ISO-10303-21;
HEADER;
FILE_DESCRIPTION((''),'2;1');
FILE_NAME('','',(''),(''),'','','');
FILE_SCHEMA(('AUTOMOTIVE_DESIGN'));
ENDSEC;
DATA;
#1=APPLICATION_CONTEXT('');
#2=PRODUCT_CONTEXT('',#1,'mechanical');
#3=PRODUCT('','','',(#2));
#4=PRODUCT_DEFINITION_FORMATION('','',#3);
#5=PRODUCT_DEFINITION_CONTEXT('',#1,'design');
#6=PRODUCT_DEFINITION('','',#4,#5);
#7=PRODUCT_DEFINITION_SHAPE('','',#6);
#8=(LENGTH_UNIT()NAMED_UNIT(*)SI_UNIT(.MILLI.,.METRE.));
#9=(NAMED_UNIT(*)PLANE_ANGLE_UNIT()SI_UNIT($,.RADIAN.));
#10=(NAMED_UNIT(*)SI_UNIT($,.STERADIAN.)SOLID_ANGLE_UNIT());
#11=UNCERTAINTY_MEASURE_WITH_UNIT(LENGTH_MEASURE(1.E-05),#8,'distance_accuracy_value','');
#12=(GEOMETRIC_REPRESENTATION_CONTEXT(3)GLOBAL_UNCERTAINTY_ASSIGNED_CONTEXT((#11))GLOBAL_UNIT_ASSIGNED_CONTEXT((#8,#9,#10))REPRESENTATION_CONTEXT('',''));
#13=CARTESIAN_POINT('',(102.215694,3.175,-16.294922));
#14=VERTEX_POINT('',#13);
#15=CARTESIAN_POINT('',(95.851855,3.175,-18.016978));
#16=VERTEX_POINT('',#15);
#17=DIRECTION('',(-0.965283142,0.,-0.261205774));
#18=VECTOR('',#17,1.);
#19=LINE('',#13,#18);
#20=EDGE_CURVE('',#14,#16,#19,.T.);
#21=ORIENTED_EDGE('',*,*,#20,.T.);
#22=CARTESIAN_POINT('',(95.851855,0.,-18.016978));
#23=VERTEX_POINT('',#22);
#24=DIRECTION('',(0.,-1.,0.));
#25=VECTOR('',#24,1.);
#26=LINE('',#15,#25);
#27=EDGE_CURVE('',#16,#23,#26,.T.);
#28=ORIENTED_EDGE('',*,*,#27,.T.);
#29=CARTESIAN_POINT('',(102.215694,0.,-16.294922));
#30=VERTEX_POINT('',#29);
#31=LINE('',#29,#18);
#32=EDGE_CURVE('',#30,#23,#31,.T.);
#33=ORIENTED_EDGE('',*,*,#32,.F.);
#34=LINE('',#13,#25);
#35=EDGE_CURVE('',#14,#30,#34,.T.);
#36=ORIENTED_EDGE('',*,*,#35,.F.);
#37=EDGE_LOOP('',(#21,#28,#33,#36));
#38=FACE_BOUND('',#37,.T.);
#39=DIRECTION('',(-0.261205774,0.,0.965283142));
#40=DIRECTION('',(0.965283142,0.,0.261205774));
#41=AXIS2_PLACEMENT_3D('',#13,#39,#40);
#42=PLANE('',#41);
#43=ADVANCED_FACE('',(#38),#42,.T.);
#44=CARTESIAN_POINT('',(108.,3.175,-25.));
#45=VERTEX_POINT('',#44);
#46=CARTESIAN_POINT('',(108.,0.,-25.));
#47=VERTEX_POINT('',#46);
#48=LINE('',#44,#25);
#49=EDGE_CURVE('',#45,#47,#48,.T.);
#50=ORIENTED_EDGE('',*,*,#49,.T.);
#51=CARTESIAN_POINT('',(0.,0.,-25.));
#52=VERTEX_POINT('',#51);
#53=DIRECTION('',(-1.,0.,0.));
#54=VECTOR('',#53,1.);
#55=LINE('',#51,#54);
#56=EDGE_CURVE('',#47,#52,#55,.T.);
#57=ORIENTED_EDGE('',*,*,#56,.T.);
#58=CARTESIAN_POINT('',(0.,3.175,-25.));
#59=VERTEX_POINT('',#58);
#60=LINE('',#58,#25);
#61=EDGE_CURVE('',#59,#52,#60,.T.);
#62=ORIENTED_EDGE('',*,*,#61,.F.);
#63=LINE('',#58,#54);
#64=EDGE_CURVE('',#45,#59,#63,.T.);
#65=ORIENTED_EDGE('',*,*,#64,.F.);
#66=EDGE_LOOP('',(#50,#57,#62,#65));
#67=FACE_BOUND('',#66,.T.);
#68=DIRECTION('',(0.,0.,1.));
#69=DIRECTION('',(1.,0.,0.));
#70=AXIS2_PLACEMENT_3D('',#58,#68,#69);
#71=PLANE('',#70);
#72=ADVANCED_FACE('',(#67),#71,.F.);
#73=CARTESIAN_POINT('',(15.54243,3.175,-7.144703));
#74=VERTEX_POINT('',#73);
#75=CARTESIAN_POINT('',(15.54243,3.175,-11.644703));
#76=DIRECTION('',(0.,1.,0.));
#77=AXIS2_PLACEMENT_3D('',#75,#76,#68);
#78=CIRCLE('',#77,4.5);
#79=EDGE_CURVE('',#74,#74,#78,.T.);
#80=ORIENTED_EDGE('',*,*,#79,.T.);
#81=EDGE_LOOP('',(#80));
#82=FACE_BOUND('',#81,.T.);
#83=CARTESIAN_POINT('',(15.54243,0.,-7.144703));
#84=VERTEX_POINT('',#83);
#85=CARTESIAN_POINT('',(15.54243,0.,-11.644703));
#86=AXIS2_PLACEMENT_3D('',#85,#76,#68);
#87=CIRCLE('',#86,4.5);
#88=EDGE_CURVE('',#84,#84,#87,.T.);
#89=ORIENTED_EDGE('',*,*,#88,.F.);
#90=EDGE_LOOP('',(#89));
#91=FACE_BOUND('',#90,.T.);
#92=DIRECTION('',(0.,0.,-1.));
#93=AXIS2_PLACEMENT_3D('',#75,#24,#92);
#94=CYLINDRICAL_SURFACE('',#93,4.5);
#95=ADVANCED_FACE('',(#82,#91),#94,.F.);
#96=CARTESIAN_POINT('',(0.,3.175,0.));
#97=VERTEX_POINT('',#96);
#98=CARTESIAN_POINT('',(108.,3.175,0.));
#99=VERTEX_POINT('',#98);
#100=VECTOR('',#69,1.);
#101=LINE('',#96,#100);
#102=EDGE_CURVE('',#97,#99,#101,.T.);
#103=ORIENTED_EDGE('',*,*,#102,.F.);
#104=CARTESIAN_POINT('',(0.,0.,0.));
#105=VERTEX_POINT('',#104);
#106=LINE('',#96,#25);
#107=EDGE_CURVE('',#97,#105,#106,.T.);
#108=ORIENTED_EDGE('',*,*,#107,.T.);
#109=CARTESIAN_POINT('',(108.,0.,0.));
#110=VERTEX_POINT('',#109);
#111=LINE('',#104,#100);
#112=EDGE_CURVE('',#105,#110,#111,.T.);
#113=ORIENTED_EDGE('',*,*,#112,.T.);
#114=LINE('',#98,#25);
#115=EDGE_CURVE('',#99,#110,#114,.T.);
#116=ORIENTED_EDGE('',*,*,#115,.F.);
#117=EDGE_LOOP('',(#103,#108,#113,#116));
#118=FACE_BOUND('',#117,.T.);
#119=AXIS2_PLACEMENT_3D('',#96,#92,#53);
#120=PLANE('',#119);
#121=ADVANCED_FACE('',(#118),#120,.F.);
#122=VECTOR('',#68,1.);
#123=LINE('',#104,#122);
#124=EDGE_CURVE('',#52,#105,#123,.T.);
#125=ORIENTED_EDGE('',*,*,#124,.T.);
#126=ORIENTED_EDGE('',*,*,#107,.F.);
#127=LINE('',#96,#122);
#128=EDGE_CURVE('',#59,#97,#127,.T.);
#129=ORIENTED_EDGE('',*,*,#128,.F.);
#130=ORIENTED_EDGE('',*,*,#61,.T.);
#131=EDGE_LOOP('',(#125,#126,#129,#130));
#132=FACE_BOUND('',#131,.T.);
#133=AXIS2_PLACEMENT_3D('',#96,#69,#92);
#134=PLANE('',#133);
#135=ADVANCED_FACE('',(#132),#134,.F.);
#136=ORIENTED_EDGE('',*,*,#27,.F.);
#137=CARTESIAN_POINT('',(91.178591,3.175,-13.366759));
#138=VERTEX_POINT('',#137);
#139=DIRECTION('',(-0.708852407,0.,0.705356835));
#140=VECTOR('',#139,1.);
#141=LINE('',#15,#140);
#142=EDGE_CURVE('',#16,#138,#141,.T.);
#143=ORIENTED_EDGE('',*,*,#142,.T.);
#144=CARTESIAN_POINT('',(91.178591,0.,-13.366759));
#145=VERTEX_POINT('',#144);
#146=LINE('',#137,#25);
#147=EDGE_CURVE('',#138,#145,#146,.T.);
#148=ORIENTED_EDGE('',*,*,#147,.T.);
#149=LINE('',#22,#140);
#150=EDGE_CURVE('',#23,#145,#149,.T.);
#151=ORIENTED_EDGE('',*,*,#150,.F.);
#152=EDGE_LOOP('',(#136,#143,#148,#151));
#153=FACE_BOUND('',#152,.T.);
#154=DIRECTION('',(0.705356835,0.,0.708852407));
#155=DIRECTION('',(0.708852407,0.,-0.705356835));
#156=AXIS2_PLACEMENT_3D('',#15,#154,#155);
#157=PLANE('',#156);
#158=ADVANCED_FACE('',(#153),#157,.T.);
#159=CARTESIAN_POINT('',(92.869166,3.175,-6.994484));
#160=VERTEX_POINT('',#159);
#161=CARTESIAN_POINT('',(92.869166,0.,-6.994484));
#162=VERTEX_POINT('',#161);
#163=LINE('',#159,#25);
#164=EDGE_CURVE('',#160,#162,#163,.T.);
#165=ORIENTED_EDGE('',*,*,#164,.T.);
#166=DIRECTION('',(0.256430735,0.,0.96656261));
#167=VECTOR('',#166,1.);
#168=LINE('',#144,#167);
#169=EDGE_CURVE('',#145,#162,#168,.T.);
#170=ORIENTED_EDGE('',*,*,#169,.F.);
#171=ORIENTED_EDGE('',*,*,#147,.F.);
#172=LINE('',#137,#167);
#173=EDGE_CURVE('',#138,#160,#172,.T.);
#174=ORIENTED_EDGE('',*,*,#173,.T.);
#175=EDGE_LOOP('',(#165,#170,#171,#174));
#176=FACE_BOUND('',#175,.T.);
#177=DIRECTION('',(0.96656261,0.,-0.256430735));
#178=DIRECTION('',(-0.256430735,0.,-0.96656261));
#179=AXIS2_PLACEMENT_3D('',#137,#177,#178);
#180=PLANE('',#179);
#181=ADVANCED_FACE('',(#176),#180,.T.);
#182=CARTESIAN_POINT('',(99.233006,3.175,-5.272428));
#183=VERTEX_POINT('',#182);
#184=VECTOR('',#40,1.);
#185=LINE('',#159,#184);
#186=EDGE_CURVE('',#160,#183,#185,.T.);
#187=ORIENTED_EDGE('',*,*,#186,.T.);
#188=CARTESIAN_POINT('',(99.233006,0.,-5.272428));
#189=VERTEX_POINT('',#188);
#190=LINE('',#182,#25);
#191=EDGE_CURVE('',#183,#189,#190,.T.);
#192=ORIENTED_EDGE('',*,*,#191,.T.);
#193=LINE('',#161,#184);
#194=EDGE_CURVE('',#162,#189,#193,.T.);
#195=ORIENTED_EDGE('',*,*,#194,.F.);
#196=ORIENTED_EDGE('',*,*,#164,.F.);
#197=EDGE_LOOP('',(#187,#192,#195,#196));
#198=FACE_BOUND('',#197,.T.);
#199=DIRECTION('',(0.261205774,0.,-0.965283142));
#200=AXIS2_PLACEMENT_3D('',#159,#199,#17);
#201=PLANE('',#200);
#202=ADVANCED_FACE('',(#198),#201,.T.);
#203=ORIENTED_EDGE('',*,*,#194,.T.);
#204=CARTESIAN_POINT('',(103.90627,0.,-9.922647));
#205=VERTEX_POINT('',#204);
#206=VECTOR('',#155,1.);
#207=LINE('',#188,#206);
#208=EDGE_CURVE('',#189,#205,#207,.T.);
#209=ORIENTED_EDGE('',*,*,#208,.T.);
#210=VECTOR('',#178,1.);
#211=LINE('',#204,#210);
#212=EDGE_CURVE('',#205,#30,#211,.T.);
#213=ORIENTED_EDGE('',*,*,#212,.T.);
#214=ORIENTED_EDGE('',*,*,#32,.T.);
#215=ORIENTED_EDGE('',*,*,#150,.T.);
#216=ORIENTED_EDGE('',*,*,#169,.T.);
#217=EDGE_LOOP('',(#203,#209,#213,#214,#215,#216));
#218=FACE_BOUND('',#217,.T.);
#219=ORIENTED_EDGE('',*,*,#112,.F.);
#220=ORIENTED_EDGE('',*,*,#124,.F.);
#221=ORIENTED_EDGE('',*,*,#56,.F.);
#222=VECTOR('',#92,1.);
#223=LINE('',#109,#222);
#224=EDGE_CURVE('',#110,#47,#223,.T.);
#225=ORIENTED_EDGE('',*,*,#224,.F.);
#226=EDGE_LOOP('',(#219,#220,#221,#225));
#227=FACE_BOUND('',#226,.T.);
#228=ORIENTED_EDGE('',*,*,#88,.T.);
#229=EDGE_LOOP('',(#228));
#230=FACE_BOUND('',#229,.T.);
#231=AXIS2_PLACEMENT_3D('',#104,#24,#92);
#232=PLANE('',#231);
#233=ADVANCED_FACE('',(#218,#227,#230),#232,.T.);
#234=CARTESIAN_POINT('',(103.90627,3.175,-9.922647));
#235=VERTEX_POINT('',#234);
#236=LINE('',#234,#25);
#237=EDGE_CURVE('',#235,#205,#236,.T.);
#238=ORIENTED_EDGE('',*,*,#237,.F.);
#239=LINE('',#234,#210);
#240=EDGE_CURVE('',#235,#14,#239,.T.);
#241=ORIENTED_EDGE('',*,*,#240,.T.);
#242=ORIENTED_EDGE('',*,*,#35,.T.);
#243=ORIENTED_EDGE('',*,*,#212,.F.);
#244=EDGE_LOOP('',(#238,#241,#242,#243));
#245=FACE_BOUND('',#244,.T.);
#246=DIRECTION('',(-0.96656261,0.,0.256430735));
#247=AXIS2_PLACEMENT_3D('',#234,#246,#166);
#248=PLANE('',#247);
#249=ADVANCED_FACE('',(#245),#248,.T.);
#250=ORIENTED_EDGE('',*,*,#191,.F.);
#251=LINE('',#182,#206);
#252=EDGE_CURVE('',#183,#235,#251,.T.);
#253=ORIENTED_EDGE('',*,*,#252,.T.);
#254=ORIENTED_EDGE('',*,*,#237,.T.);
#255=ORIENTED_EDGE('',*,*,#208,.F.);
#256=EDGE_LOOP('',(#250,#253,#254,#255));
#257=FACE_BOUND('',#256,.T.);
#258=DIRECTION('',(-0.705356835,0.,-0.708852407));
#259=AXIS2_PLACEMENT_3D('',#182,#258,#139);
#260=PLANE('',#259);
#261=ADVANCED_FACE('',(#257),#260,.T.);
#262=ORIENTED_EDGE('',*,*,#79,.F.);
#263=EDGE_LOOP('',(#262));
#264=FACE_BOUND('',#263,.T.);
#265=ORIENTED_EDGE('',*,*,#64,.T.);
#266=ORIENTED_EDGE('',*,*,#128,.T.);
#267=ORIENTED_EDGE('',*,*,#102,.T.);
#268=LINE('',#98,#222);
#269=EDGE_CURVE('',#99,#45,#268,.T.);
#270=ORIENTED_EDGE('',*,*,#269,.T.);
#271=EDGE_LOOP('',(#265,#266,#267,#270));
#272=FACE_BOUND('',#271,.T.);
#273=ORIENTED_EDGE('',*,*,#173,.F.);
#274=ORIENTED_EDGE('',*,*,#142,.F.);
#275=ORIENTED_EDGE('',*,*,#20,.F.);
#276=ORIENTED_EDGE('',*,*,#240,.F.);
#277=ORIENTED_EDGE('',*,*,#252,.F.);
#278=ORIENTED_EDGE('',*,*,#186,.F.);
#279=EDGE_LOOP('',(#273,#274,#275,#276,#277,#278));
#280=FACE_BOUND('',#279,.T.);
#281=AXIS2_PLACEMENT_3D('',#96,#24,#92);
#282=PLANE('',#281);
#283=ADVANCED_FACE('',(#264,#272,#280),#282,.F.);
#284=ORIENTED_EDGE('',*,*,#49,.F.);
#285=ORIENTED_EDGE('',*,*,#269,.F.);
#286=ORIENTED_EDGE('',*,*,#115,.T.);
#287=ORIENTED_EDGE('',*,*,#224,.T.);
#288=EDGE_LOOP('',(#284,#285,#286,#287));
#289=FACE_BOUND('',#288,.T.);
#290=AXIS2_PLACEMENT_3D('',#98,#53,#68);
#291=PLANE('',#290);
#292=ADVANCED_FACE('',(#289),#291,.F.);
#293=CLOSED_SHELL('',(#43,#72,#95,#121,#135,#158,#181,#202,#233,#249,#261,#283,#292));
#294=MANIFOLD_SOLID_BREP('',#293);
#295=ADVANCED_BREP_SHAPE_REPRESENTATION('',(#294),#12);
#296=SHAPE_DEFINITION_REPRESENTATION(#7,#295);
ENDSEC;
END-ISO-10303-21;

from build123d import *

# Parameters (mm, degrees)
SKETCH1_W           = 108
SKETCH1_H           = 25
SKETCH1_R           = 4.5
BOSS_EXTRUDE1_DEPTH = 3.175


with BuildPart() as part:
    # Sketch1 → Boss-Extrude1 (new body)
    with BuildSketch(Plane(origin=(0, 0, 0), x_dir=(1, 0, 0), z_dir=(0, 1, 0))):
        with Locations((54, 12.5)):
            Rectangle(SKETCH1_W, SKETCH1_H)
        with Locations(Location((15.5424302, 11.644702803, 0), (0, 0, 270))):
            Circle(SKETCH1_R, mode=Mode.SUBTRACT)
        Polygon((95.851854644, 18.016977652), (91.178590522, 13.366758848), (92.869166079, 6.994483999), (99.233005757, 5.272427953), (103.906269878, 9.922646757), (102.215694322, 16.294921607), align=None, mode=Mode.SUBTRACT)
    extrude(amount=BOSS_EXTRUDE1_DEPTH)


solid = part.part
